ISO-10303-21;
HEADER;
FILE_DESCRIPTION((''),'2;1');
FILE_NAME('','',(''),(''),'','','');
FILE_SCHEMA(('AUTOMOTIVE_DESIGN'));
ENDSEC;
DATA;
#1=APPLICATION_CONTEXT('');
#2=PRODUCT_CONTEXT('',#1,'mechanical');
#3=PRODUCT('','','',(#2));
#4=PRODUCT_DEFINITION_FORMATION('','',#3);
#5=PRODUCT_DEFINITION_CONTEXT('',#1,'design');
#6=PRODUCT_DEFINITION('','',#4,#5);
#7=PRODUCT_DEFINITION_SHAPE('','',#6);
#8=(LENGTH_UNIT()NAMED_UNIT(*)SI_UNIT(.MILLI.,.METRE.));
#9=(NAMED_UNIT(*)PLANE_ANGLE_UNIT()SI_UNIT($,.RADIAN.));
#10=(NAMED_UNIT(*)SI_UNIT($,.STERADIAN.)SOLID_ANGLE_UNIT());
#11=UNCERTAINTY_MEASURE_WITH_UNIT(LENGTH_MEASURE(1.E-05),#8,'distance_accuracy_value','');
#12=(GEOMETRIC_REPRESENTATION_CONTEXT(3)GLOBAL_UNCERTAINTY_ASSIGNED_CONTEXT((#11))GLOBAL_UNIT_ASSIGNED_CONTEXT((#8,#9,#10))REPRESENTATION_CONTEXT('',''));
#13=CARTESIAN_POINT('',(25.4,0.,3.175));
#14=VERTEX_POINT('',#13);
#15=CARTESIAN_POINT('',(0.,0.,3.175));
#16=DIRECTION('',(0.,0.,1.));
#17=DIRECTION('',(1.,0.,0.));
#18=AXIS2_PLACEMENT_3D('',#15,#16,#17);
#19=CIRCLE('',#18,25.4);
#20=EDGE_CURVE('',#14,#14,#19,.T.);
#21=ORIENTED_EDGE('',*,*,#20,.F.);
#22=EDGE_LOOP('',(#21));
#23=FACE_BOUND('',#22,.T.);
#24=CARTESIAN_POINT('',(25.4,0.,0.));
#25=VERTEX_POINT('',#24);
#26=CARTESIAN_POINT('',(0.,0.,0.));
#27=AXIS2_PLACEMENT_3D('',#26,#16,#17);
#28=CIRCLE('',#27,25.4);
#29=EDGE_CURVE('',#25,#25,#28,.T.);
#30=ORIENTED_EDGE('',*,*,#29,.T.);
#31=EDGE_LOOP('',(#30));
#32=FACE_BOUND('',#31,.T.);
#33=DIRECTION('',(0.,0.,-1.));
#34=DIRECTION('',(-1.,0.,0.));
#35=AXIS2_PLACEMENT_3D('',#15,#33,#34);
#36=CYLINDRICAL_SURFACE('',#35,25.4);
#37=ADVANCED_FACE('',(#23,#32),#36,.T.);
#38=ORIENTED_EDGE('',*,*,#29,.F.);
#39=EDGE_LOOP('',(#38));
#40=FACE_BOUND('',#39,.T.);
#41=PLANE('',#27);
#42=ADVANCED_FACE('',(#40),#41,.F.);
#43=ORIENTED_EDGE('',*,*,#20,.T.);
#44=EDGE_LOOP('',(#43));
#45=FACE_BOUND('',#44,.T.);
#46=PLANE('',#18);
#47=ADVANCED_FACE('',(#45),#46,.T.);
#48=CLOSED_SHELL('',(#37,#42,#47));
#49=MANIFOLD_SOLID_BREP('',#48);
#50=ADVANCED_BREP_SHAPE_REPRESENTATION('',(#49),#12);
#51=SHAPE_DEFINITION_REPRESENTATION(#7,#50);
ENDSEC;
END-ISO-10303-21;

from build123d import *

# Parameters (mm, degrees)
SKETCH2_R           = 25.4
BOSS_EXTRUDE1_DEPTH = 3.175


with BuildPart() as part:
    # Sketch2 → Boss-Extrude1 (new body)
    with BuildSketch(Plane.XY):
        Circle(SKETCH2_R)
    extrude(amount=BOSS_EXTRUDE1_DEPTH)


solid = part.part
